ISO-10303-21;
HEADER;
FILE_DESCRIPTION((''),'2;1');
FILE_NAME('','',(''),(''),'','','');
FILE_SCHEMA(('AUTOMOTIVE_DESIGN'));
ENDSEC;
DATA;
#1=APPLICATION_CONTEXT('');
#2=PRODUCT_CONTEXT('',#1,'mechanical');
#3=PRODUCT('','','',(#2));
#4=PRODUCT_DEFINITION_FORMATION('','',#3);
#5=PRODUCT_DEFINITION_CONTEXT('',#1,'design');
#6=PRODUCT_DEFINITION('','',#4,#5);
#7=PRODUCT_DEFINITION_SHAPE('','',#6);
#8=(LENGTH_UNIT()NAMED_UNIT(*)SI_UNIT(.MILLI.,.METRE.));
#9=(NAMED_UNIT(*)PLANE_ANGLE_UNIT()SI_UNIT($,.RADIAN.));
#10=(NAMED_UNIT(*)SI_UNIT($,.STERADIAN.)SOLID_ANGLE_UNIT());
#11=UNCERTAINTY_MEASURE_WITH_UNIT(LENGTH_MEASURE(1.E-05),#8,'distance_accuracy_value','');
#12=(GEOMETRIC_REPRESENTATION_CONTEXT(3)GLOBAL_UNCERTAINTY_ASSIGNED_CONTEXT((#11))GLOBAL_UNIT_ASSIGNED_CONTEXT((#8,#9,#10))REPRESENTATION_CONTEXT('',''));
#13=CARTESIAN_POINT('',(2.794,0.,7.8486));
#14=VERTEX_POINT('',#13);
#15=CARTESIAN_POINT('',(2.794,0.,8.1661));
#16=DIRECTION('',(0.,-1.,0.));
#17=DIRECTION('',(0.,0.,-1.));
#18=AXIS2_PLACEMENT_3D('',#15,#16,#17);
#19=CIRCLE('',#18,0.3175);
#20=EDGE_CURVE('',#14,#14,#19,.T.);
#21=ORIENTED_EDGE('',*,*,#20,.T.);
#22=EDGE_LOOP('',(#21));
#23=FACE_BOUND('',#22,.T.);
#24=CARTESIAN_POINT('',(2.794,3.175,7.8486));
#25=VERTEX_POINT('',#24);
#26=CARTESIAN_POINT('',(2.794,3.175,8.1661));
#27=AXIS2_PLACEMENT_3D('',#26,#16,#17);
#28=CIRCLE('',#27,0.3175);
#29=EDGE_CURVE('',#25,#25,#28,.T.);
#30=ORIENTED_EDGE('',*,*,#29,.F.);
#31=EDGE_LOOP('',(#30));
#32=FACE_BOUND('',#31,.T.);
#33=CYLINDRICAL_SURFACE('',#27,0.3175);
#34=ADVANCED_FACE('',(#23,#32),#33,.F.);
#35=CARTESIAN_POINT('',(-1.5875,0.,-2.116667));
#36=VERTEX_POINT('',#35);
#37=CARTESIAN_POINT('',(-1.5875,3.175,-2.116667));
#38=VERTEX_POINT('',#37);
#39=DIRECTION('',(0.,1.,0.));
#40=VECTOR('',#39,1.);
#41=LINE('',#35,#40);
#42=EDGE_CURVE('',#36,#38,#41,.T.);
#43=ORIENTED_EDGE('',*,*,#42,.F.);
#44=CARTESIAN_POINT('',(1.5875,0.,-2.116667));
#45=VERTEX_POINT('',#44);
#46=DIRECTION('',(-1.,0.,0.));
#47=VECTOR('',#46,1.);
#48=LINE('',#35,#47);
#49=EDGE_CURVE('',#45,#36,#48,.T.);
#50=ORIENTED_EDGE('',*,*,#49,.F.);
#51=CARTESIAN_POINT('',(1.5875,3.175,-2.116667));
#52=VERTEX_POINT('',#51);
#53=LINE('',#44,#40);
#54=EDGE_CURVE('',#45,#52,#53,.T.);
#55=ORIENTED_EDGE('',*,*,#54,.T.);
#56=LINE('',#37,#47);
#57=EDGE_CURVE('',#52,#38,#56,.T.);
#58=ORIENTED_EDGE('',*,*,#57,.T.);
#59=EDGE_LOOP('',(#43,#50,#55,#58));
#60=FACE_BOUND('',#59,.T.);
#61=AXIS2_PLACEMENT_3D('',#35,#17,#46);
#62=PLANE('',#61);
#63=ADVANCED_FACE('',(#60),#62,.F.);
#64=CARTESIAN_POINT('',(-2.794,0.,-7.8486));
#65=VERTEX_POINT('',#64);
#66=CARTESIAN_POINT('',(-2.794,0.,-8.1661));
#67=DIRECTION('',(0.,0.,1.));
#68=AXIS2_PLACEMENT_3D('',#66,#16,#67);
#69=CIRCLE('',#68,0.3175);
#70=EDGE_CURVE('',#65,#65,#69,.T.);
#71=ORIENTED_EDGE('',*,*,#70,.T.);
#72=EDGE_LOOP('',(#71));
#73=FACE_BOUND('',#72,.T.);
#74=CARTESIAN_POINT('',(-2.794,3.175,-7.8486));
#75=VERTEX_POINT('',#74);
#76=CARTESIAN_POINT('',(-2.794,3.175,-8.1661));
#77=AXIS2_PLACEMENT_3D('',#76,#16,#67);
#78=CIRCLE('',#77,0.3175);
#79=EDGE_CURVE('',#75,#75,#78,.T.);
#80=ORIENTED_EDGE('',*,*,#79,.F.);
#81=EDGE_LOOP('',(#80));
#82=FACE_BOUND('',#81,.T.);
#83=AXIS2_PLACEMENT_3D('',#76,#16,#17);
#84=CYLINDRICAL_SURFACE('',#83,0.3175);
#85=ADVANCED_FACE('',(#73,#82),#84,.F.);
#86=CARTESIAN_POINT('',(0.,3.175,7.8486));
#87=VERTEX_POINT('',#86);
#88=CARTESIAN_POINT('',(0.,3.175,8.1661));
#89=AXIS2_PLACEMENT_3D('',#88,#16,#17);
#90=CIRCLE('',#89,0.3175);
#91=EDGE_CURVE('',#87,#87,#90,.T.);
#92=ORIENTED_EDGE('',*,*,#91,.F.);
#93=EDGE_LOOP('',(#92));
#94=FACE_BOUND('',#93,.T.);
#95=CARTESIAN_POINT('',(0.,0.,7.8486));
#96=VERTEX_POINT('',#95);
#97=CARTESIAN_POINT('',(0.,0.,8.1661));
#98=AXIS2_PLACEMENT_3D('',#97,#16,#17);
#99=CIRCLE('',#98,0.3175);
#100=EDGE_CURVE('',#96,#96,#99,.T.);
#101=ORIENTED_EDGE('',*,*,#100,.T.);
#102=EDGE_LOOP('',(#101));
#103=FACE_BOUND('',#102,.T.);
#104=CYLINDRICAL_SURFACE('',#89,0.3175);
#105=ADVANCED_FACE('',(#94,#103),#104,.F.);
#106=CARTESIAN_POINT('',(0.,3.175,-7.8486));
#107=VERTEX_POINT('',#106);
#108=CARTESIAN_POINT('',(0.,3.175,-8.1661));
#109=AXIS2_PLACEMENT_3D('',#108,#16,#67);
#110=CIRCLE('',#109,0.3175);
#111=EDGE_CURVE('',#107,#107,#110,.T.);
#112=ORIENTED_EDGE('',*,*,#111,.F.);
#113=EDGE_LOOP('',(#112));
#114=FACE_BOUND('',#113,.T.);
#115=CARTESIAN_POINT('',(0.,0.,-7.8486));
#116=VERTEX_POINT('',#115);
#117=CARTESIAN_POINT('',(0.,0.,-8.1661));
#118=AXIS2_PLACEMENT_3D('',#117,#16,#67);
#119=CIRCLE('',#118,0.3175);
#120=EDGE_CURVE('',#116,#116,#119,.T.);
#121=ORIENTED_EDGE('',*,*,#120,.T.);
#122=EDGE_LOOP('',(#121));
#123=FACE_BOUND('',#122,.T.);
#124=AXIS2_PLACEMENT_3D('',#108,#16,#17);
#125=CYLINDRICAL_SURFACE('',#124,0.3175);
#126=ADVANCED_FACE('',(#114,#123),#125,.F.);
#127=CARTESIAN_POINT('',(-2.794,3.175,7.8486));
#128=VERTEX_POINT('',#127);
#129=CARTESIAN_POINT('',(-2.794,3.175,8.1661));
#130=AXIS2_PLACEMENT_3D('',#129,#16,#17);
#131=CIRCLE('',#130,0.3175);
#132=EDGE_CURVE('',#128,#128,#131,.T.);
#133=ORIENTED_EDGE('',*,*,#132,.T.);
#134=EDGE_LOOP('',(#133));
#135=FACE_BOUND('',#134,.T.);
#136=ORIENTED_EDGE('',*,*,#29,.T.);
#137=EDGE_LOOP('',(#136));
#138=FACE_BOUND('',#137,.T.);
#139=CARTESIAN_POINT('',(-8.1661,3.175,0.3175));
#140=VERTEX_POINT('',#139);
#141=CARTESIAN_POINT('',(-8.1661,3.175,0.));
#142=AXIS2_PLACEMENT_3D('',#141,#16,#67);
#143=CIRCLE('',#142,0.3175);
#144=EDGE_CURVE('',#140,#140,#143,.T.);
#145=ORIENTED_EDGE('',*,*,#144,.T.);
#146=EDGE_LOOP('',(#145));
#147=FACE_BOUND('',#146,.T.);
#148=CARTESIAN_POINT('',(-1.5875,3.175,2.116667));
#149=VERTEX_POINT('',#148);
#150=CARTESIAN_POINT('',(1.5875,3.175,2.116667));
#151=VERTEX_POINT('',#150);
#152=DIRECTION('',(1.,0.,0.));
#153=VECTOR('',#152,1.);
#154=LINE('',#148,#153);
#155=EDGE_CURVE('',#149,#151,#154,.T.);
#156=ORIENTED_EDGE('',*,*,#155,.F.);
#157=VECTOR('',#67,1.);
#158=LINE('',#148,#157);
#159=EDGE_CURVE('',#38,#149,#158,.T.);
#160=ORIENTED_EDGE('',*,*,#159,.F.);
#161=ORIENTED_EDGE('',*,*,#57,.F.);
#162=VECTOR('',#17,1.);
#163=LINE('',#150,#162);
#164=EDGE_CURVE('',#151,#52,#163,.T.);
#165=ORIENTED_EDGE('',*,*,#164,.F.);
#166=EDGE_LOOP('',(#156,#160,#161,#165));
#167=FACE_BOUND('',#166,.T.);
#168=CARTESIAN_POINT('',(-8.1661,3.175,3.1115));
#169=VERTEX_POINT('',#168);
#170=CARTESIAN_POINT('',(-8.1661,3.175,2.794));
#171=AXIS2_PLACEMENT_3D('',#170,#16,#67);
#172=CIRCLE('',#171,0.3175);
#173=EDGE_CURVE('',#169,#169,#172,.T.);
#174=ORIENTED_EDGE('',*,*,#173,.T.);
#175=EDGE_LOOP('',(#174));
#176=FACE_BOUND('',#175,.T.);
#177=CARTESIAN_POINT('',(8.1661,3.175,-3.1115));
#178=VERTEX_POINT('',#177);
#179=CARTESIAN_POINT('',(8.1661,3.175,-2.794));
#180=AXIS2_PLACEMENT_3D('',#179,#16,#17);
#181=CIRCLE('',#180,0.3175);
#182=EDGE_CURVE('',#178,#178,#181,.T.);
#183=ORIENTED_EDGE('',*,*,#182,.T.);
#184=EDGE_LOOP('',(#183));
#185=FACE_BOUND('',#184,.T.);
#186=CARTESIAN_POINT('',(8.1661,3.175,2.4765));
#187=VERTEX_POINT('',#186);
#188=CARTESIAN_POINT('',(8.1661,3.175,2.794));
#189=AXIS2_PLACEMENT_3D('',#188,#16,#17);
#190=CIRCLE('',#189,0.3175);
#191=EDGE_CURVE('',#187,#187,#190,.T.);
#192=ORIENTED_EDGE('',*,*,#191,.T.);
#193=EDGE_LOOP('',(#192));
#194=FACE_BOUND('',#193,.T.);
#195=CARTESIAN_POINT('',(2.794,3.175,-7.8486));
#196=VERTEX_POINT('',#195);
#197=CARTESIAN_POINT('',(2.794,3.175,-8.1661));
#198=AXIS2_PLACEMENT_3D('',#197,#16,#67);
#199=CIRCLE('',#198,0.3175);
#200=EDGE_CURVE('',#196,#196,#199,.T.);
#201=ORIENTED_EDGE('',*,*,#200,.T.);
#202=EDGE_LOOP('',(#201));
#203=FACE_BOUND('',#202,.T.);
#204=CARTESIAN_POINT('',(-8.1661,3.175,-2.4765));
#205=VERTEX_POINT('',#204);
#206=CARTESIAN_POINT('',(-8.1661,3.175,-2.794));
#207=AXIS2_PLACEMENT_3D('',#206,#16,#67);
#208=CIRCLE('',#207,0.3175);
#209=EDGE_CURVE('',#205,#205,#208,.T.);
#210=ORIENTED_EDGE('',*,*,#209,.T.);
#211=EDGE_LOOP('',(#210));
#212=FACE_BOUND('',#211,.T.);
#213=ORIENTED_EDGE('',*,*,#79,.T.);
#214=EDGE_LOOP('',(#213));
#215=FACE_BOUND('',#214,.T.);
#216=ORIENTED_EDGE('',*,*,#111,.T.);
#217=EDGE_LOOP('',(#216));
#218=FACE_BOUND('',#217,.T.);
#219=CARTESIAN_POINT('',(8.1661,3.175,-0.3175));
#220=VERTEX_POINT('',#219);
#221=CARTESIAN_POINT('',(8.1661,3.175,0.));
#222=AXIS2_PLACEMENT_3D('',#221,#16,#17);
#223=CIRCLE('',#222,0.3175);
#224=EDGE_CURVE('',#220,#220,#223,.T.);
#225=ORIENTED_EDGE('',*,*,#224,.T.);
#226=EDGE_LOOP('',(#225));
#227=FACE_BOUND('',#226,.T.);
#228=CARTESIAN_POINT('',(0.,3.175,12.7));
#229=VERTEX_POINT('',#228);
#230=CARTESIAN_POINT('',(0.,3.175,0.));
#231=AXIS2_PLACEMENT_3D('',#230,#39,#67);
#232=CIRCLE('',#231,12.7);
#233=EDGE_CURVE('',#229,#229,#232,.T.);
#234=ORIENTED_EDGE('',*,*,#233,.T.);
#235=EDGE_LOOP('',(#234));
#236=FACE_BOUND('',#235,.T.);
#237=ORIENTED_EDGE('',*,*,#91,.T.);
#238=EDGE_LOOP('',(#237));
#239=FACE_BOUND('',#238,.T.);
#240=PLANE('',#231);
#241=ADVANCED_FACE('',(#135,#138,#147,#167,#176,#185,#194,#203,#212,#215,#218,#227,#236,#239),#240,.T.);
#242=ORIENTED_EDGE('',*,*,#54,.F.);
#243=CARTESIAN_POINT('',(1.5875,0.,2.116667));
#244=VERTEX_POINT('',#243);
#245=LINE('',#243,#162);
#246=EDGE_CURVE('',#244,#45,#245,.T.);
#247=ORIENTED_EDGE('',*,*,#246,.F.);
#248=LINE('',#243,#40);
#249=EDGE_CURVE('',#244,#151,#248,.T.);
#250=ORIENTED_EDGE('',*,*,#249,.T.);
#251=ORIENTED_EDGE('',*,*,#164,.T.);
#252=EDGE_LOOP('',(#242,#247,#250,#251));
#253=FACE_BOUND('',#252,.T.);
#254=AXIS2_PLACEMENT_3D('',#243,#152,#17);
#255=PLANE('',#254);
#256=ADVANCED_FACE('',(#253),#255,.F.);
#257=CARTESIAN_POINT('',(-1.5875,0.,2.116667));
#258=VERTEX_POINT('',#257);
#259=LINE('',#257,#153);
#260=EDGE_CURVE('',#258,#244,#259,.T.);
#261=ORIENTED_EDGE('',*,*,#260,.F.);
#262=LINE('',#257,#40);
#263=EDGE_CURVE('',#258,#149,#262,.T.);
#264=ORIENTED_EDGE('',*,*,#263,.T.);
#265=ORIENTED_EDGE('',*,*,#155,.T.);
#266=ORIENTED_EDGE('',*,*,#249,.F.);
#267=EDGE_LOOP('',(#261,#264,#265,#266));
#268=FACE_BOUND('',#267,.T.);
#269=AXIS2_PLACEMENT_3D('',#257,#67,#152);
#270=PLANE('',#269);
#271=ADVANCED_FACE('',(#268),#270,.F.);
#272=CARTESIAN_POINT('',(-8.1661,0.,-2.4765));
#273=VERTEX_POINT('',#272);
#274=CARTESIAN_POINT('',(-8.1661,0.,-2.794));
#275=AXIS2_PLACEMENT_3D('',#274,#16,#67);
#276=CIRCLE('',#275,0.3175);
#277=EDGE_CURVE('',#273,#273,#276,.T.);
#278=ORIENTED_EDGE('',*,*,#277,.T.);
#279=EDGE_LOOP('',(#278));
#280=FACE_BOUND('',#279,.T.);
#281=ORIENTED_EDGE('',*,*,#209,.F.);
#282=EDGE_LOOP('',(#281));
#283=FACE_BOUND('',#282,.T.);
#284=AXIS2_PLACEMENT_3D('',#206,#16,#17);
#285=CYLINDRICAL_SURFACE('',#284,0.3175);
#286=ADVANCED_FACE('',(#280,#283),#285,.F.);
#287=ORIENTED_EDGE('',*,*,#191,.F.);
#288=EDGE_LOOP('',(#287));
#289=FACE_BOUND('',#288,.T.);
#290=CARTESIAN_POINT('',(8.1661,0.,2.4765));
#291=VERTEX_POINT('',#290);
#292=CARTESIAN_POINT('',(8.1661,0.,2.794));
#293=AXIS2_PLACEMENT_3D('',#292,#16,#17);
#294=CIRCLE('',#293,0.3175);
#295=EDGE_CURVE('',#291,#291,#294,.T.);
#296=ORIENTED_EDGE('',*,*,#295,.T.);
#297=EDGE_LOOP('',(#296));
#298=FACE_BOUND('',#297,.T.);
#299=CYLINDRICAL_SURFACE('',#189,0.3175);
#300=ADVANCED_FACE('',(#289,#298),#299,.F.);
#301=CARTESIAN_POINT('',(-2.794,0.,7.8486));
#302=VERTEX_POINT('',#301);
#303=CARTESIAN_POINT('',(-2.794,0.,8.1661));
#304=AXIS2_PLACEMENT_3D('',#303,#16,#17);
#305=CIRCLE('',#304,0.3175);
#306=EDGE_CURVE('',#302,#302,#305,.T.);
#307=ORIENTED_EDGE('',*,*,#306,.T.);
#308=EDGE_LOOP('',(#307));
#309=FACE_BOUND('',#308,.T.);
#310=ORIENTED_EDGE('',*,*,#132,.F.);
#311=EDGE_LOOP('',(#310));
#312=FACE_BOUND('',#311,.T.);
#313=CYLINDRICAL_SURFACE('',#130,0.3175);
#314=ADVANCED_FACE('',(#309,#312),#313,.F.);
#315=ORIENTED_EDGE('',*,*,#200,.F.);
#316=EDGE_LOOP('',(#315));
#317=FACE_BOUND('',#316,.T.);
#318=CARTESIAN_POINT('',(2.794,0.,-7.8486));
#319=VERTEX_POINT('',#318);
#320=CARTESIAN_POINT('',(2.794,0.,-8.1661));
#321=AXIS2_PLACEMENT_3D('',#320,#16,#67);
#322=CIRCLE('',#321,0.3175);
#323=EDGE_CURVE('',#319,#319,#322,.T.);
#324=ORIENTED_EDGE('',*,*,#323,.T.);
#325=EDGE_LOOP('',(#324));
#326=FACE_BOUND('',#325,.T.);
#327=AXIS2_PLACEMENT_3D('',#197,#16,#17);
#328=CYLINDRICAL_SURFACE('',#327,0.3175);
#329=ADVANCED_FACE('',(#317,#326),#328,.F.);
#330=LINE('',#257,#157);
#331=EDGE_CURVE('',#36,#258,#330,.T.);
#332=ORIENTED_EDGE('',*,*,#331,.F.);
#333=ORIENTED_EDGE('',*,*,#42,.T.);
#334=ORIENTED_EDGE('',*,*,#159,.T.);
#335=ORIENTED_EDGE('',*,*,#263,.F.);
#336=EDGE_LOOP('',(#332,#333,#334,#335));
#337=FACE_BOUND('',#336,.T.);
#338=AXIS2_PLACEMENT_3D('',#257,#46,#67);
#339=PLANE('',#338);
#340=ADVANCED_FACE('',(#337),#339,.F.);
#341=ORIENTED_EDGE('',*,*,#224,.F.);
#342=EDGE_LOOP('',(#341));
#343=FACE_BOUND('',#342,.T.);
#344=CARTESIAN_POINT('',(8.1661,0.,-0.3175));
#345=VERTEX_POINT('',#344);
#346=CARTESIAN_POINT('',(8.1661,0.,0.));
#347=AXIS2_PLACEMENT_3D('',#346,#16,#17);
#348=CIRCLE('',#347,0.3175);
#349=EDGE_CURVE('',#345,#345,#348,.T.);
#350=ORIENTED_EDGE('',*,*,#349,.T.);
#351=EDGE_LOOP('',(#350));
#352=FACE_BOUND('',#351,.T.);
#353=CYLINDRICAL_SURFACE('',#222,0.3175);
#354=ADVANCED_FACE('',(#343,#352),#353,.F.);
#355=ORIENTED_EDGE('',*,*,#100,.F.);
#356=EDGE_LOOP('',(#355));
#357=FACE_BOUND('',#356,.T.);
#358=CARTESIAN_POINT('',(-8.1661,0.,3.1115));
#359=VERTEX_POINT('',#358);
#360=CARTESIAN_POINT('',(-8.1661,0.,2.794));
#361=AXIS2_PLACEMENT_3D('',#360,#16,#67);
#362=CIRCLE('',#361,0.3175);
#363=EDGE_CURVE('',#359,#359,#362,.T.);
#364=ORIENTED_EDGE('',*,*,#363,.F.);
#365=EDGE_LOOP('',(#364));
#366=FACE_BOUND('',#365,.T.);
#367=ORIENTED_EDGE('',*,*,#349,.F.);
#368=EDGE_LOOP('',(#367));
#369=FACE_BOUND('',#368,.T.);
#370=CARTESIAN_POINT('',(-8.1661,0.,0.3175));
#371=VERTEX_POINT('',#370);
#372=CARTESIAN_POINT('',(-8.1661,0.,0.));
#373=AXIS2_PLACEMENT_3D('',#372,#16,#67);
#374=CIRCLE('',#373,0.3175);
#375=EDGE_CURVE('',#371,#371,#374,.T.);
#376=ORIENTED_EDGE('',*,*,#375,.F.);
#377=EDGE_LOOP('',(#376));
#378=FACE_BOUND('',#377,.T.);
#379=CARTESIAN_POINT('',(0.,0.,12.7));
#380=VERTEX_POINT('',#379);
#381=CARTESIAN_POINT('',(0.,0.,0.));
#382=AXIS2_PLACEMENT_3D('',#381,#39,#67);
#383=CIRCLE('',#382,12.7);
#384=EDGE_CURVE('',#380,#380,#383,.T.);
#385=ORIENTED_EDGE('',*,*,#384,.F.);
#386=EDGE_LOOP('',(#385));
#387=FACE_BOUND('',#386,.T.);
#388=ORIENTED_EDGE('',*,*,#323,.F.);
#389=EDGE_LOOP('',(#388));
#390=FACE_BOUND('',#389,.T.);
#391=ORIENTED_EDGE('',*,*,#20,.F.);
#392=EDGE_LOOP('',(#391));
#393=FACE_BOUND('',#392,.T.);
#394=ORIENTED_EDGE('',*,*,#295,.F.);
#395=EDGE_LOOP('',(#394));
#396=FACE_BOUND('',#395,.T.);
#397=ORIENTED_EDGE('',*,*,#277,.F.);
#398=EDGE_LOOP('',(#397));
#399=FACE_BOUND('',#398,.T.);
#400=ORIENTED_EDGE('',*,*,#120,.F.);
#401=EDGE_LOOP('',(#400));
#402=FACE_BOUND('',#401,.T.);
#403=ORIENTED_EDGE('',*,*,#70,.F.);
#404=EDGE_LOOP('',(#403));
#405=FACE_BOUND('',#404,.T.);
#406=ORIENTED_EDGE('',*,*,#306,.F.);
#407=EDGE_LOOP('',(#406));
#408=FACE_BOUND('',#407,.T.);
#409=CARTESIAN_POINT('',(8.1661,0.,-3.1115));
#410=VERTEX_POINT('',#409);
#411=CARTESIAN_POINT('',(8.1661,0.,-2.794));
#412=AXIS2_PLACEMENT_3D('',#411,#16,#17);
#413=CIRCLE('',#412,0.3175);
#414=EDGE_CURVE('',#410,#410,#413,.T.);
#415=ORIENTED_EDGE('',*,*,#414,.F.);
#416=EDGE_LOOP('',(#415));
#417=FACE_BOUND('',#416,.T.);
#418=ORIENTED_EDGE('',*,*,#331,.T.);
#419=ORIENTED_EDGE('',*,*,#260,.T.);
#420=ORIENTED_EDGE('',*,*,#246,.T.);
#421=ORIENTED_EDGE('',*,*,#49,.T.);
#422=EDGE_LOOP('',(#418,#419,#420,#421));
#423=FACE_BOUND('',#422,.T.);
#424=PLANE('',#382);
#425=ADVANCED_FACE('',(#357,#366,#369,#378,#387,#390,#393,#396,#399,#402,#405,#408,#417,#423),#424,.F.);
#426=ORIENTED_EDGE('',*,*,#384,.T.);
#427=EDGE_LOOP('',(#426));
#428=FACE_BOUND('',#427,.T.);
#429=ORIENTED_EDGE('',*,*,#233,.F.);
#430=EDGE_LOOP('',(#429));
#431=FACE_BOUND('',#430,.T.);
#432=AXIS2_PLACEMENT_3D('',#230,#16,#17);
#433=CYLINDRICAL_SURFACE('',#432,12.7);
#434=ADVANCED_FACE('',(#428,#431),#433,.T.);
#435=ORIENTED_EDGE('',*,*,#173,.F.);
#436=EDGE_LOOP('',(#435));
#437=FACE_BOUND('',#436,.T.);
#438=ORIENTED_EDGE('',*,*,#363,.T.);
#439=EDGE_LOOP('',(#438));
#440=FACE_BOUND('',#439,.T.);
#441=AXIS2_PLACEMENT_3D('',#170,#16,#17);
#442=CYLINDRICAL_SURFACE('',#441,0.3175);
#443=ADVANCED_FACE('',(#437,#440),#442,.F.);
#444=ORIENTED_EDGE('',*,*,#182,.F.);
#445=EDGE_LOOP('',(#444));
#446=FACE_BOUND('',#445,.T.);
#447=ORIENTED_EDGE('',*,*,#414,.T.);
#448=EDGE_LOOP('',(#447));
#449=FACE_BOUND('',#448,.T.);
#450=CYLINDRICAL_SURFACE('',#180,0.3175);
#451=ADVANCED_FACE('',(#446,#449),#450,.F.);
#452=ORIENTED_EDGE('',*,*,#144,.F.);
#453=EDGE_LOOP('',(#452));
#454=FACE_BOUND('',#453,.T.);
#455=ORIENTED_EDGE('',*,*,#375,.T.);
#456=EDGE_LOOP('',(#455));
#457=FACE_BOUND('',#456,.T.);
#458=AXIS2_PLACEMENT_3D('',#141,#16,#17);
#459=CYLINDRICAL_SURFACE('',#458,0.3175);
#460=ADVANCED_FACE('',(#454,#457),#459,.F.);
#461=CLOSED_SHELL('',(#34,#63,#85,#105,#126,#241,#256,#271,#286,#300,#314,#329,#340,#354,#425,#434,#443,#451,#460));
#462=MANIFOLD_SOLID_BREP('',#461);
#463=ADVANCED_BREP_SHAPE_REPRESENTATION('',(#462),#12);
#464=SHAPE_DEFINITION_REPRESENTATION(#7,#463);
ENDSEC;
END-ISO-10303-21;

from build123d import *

# Parameters (mm, degrees)
X_Z_SEVO_MOUNT_SKETCH_R            = 12.7
X_Z_SERVO_MOUNT_DEPTH              = 3.175
BASE_MOUNT_SKETCH_W                = 3.175
BASE_MOUNT_SKETCH_H                = 4.233333334
BASE_MOUNT_DEPTH                   = 4.175
SERVO_HORN_MOUNTING_HOLES_SKETCH_R = 0.3175
SERVO_HORN_MOUNT_HOLES_DEPTH       = 4.175


with BuildPart() as part:
    # X-Z Sevo Mount Sketch → X-Z Servo Mount (new body)
    with BuildSketch(Plane(origin=(0, 0, 0), x_dir=(1, 0, 0), z_dir=(0, 1, 0))):
        Circle(X_Z_SEVO_MOUNT_SKETCH_R)
    extrude(amount=X_Z_SERVO_MOUNT_DEPTH)

    # Base Mount Sketch → Base Mount (cut, through all)
    with BuildSketch(Plane(origin=(0, 3.175, 0), x_dir=(1, 0, 0), z_dir=(0, 1, 0))):
        Rectangle(BASE_MOUNT_SKETCH_W, BASE_MOUNT_SKETCH_H)
    extrude(amount=-BASE_MOUNT_DEPTH, mode=Mode.SUBTRACT)

    # Servo Horn Mounting Holes Sketch → Servo Horn Mount Holes (cut, through all)
    with BuildSketch(Plane.XZ):
        with Locations((0, 8.1661)):
            Circle(SERVO_HORN_MOUNTING_HOLES_SKETCH_R)
        with Locations((2.794, 8.1661)):
            Circle(SERVO_HORN_MOUNTING_HOLES_SKETCH_R)
        with Locations((-2.794, 8.1661)):
            Circle(SERVO_HORN_MOUNTING_HOLES_SKETCH_R)
        with Locations((2.794, -8.1661)):
            Circle(SERVO_HORN_MOUNTING_HOLES_SKETCH_R)
        with Locations((0, -8.1661)):
            Circle(SERVO_HORN_MOUNTING_HOLES_SKETCH_R)
        with Locations((-2.794, -8.1661)):
            Circle(SERVO_HORN_MOUNTING_HOLES_SKETCH_R)
        with Locations((8.1661, 0)):
            Circle(SERVO_HORN_MOUNTING_HOLES_SKETCH_R)
        with Locations((8.1661, 2.794)):
            Circle(SERVO_HORN_MOUNTING_HOLES_SKETCH_R)
        with Locations((8.1661, -2.794)):
            Circle(SERVO_HORN_MOUNTING_HOLES_SKETCH_R)
        with Locations((-8.1661, -2.794)):
            Circle(SERVO_HORN_MOUNTING_HOLES_SKETCH_R)
        with Locations((-8.1661, 2.794)):
            Circle(SERVO_HORN_MOUNTING_HOLES_SKETCH_R)
        with Locations((-8.1661, 0)):
            Circle(SERVO_HORN_MOUNTING_HOLES_SKETCH_R)
    extrude(amount=-SERVO_HORN_MOUNT_HOLES_DEPTH, mode=Mode.SUBTRACT)


solid = part.part
